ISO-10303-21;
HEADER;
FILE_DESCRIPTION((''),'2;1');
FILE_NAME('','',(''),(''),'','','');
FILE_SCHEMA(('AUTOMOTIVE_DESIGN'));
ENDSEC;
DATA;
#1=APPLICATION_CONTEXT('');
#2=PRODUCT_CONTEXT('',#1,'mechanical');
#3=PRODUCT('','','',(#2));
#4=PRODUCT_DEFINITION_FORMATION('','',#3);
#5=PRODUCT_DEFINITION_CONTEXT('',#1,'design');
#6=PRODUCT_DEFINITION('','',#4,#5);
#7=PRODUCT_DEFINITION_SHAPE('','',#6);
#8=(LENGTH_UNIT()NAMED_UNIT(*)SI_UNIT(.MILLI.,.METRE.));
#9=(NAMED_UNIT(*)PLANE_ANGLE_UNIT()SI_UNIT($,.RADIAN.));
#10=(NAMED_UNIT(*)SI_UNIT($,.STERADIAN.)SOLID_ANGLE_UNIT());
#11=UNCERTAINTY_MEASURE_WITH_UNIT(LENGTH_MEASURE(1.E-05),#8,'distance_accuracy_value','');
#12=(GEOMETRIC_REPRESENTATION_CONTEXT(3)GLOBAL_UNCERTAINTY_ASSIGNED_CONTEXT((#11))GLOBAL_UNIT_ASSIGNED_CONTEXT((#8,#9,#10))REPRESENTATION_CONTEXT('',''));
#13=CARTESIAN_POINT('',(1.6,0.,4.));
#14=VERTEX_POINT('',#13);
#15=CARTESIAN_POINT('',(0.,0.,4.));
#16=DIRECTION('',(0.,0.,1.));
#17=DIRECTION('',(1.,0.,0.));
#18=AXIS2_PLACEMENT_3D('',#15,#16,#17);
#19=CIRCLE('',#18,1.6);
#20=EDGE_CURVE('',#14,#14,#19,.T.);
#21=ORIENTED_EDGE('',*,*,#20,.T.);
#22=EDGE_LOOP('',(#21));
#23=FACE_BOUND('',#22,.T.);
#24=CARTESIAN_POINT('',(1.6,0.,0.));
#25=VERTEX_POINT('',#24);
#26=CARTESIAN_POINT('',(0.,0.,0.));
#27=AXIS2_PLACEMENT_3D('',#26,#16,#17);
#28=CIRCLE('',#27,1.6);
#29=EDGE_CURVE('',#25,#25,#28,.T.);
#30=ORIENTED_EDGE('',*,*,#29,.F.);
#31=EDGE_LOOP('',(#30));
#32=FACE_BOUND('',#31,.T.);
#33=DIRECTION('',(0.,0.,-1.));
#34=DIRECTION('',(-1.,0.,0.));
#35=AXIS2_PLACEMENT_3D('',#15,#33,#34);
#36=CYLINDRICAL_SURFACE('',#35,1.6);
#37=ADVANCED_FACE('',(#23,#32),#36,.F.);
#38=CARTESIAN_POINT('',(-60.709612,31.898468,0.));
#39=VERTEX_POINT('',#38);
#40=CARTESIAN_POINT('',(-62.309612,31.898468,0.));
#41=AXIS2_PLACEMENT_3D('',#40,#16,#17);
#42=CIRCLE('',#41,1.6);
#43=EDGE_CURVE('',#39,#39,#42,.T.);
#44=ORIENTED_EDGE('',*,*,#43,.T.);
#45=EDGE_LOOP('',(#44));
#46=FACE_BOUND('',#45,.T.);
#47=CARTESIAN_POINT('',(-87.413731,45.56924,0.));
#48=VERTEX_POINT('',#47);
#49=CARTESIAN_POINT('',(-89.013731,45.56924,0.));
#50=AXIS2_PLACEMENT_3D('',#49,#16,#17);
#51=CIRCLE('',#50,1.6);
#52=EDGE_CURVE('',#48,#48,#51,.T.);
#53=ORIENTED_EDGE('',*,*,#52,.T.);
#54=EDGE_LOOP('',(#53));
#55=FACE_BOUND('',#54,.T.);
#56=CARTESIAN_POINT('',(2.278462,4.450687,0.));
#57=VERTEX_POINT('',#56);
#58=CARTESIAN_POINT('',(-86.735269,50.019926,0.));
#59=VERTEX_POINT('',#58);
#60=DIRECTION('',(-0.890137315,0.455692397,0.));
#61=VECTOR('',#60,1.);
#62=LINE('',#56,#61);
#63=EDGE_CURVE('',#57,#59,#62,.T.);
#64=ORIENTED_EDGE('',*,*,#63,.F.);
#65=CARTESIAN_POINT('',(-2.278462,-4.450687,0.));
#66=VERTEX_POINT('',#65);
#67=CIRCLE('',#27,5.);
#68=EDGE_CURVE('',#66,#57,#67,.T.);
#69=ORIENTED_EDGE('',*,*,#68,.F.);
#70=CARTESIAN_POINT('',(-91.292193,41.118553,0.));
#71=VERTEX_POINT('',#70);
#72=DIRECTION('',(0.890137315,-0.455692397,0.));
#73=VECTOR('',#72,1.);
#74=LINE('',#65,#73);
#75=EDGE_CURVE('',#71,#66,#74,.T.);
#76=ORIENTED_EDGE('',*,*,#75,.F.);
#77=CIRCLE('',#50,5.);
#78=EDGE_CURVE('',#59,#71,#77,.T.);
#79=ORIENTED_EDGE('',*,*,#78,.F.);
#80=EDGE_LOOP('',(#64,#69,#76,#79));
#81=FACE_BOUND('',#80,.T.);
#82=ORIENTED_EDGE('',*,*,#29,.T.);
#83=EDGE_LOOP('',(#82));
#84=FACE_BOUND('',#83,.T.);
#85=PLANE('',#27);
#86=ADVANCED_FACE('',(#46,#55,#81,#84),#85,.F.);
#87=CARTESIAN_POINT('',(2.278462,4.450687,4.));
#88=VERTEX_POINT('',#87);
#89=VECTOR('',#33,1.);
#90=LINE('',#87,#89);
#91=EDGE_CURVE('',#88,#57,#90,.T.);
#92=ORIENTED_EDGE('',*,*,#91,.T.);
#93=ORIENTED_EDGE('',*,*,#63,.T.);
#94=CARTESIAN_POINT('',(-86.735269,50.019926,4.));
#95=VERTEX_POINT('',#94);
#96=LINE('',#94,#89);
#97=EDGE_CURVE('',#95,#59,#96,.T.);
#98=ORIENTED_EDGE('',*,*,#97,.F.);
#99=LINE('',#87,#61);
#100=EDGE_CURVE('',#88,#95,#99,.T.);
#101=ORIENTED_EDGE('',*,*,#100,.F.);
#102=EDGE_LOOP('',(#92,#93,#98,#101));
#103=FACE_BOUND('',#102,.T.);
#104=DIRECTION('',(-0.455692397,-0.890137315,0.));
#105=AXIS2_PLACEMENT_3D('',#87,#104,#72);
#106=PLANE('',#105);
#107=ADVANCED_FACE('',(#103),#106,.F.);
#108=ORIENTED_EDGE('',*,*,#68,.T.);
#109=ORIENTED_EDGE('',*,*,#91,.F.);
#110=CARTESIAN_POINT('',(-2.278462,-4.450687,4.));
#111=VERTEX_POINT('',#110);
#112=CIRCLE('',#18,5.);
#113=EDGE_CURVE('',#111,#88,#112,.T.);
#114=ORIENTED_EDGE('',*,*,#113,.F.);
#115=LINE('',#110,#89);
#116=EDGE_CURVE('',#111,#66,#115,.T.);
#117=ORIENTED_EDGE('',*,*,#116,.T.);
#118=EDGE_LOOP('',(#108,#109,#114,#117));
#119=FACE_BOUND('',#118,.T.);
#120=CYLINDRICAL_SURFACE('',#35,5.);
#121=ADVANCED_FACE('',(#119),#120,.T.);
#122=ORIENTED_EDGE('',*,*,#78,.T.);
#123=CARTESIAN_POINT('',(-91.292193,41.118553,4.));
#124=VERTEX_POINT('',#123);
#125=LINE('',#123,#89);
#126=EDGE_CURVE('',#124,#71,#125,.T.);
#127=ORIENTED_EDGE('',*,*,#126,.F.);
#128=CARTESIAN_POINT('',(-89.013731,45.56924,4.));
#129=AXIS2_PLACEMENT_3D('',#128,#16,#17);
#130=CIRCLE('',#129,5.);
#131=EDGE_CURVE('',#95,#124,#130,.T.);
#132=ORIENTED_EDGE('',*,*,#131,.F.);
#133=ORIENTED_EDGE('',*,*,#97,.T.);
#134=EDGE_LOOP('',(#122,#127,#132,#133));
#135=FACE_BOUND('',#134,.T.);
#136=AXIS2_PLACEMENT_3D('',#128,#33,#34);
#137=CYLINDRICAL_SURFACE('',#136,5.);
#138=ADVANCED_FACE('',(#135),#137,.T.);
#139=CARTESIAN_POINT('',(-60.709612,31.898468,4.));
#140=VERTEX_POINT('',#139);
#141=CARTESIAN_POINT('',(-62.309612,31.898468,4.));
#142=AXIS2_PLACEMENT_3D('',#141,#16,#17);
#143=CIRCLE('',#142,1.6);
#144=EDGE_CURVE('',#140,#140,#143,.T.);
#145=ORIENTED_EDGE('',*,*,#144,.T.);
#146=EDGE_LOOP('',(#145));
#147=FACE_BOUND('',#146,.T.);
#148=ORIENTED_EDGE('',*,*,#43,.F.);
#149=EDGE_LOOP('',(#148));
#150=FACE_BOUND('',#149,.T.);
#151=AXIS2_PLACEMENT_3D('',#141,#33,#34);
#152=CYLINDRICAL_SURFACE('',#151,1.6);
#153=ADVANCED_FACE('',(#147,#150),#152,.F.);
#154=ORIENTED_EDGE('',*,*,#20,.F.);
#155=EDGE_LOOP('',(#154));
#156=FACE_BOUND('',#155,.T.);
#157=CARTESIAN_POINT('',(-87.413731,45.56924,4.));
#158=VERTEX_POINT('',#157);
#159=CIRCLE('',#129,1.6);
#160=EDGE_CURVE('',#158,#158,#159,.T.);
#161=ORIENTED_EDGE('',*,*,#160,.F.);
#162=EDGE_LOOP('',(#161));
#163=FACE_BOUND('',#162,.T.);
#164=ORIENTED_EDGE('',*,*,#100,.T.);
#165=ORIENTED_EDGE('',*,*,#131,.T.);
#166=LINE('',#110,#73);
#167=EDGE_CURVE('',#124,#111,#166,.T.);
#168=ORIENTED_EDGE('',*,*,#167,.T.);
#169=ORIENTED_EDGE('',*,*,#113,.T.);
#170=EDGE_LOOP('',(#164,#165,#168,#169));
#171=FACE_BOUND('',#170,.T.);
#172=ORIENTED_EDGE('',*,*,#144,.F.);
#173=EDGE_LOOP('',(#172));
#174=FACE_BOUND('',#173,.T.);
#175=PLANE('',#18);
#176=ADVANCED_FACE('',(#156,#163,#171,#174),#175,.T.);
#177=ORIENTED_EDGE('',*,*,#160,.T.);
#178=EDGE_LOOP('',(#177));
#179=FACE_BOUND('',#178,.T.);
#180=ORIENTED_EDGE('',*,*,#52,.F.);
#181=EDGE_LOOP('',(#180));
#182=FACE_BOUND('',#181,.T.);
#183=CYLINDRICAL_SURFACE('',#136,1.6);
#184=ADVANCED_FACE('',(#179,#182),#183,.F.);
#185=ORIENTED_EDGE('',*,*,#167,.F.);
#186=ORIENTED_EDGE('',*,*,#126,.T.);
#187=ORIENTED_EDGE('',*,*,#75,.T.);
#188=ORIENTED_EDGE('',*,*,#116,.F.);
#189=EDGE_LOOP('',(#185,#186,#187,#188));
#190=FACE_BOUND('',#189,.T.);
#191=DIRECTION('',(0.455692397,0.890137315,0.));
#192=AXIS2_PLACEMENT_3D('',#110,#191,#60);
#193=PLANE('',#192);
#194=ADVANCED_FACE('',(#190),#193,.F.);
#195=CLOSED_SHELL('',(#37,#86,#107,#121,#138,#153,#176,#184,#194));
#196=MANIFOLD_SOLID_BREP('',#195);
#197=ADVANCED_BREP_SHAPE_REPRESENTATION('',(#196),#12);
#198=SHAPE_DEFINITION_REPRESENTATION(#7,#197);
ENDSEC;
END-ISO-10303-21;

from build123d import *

# Parameters (mm, degrees)
SKETCH1_R           = 1.6
BOSS_EXTRUDE1_DEPTH = 4


with BuildPart() as part:
    # Sketch1 → Boss-Extrude1 (new body)
    with BuildSketch(Plane.XY):
        with BuildLine():
            Line((-2.278461986, -4.450686574), (-91.292193461, 41.118553149))
            ThreePointArc((-91.292193461, 41.118553149), (-93.464418049, 47.847701709), (-86.735269489, 50.019926296))
            Line((-86.735269489, 50.019926296), (2.278461986, 4.450686574))
            ThreePointArc((2.278461986, 4.450686574), (4.450686574, -2.278461986), (-2.278461986, -4.450686574))
        make_face()
        with Locations((-89.013731475, 45.569239723)):
            Circle(SKETCH1_R, mode=Mode.SUBTRACT)
        Circle(SKETCH1_R, mode=Mode.SUBTRACT)
        with Locations((-62.309612033, 31.898467806)):
            Circle(SKETCH1_R, mode=Mode.SUBTRACT)
    extrude(amount=BOSS_EXTRUDE1_DEPTH)


solid = part.part
